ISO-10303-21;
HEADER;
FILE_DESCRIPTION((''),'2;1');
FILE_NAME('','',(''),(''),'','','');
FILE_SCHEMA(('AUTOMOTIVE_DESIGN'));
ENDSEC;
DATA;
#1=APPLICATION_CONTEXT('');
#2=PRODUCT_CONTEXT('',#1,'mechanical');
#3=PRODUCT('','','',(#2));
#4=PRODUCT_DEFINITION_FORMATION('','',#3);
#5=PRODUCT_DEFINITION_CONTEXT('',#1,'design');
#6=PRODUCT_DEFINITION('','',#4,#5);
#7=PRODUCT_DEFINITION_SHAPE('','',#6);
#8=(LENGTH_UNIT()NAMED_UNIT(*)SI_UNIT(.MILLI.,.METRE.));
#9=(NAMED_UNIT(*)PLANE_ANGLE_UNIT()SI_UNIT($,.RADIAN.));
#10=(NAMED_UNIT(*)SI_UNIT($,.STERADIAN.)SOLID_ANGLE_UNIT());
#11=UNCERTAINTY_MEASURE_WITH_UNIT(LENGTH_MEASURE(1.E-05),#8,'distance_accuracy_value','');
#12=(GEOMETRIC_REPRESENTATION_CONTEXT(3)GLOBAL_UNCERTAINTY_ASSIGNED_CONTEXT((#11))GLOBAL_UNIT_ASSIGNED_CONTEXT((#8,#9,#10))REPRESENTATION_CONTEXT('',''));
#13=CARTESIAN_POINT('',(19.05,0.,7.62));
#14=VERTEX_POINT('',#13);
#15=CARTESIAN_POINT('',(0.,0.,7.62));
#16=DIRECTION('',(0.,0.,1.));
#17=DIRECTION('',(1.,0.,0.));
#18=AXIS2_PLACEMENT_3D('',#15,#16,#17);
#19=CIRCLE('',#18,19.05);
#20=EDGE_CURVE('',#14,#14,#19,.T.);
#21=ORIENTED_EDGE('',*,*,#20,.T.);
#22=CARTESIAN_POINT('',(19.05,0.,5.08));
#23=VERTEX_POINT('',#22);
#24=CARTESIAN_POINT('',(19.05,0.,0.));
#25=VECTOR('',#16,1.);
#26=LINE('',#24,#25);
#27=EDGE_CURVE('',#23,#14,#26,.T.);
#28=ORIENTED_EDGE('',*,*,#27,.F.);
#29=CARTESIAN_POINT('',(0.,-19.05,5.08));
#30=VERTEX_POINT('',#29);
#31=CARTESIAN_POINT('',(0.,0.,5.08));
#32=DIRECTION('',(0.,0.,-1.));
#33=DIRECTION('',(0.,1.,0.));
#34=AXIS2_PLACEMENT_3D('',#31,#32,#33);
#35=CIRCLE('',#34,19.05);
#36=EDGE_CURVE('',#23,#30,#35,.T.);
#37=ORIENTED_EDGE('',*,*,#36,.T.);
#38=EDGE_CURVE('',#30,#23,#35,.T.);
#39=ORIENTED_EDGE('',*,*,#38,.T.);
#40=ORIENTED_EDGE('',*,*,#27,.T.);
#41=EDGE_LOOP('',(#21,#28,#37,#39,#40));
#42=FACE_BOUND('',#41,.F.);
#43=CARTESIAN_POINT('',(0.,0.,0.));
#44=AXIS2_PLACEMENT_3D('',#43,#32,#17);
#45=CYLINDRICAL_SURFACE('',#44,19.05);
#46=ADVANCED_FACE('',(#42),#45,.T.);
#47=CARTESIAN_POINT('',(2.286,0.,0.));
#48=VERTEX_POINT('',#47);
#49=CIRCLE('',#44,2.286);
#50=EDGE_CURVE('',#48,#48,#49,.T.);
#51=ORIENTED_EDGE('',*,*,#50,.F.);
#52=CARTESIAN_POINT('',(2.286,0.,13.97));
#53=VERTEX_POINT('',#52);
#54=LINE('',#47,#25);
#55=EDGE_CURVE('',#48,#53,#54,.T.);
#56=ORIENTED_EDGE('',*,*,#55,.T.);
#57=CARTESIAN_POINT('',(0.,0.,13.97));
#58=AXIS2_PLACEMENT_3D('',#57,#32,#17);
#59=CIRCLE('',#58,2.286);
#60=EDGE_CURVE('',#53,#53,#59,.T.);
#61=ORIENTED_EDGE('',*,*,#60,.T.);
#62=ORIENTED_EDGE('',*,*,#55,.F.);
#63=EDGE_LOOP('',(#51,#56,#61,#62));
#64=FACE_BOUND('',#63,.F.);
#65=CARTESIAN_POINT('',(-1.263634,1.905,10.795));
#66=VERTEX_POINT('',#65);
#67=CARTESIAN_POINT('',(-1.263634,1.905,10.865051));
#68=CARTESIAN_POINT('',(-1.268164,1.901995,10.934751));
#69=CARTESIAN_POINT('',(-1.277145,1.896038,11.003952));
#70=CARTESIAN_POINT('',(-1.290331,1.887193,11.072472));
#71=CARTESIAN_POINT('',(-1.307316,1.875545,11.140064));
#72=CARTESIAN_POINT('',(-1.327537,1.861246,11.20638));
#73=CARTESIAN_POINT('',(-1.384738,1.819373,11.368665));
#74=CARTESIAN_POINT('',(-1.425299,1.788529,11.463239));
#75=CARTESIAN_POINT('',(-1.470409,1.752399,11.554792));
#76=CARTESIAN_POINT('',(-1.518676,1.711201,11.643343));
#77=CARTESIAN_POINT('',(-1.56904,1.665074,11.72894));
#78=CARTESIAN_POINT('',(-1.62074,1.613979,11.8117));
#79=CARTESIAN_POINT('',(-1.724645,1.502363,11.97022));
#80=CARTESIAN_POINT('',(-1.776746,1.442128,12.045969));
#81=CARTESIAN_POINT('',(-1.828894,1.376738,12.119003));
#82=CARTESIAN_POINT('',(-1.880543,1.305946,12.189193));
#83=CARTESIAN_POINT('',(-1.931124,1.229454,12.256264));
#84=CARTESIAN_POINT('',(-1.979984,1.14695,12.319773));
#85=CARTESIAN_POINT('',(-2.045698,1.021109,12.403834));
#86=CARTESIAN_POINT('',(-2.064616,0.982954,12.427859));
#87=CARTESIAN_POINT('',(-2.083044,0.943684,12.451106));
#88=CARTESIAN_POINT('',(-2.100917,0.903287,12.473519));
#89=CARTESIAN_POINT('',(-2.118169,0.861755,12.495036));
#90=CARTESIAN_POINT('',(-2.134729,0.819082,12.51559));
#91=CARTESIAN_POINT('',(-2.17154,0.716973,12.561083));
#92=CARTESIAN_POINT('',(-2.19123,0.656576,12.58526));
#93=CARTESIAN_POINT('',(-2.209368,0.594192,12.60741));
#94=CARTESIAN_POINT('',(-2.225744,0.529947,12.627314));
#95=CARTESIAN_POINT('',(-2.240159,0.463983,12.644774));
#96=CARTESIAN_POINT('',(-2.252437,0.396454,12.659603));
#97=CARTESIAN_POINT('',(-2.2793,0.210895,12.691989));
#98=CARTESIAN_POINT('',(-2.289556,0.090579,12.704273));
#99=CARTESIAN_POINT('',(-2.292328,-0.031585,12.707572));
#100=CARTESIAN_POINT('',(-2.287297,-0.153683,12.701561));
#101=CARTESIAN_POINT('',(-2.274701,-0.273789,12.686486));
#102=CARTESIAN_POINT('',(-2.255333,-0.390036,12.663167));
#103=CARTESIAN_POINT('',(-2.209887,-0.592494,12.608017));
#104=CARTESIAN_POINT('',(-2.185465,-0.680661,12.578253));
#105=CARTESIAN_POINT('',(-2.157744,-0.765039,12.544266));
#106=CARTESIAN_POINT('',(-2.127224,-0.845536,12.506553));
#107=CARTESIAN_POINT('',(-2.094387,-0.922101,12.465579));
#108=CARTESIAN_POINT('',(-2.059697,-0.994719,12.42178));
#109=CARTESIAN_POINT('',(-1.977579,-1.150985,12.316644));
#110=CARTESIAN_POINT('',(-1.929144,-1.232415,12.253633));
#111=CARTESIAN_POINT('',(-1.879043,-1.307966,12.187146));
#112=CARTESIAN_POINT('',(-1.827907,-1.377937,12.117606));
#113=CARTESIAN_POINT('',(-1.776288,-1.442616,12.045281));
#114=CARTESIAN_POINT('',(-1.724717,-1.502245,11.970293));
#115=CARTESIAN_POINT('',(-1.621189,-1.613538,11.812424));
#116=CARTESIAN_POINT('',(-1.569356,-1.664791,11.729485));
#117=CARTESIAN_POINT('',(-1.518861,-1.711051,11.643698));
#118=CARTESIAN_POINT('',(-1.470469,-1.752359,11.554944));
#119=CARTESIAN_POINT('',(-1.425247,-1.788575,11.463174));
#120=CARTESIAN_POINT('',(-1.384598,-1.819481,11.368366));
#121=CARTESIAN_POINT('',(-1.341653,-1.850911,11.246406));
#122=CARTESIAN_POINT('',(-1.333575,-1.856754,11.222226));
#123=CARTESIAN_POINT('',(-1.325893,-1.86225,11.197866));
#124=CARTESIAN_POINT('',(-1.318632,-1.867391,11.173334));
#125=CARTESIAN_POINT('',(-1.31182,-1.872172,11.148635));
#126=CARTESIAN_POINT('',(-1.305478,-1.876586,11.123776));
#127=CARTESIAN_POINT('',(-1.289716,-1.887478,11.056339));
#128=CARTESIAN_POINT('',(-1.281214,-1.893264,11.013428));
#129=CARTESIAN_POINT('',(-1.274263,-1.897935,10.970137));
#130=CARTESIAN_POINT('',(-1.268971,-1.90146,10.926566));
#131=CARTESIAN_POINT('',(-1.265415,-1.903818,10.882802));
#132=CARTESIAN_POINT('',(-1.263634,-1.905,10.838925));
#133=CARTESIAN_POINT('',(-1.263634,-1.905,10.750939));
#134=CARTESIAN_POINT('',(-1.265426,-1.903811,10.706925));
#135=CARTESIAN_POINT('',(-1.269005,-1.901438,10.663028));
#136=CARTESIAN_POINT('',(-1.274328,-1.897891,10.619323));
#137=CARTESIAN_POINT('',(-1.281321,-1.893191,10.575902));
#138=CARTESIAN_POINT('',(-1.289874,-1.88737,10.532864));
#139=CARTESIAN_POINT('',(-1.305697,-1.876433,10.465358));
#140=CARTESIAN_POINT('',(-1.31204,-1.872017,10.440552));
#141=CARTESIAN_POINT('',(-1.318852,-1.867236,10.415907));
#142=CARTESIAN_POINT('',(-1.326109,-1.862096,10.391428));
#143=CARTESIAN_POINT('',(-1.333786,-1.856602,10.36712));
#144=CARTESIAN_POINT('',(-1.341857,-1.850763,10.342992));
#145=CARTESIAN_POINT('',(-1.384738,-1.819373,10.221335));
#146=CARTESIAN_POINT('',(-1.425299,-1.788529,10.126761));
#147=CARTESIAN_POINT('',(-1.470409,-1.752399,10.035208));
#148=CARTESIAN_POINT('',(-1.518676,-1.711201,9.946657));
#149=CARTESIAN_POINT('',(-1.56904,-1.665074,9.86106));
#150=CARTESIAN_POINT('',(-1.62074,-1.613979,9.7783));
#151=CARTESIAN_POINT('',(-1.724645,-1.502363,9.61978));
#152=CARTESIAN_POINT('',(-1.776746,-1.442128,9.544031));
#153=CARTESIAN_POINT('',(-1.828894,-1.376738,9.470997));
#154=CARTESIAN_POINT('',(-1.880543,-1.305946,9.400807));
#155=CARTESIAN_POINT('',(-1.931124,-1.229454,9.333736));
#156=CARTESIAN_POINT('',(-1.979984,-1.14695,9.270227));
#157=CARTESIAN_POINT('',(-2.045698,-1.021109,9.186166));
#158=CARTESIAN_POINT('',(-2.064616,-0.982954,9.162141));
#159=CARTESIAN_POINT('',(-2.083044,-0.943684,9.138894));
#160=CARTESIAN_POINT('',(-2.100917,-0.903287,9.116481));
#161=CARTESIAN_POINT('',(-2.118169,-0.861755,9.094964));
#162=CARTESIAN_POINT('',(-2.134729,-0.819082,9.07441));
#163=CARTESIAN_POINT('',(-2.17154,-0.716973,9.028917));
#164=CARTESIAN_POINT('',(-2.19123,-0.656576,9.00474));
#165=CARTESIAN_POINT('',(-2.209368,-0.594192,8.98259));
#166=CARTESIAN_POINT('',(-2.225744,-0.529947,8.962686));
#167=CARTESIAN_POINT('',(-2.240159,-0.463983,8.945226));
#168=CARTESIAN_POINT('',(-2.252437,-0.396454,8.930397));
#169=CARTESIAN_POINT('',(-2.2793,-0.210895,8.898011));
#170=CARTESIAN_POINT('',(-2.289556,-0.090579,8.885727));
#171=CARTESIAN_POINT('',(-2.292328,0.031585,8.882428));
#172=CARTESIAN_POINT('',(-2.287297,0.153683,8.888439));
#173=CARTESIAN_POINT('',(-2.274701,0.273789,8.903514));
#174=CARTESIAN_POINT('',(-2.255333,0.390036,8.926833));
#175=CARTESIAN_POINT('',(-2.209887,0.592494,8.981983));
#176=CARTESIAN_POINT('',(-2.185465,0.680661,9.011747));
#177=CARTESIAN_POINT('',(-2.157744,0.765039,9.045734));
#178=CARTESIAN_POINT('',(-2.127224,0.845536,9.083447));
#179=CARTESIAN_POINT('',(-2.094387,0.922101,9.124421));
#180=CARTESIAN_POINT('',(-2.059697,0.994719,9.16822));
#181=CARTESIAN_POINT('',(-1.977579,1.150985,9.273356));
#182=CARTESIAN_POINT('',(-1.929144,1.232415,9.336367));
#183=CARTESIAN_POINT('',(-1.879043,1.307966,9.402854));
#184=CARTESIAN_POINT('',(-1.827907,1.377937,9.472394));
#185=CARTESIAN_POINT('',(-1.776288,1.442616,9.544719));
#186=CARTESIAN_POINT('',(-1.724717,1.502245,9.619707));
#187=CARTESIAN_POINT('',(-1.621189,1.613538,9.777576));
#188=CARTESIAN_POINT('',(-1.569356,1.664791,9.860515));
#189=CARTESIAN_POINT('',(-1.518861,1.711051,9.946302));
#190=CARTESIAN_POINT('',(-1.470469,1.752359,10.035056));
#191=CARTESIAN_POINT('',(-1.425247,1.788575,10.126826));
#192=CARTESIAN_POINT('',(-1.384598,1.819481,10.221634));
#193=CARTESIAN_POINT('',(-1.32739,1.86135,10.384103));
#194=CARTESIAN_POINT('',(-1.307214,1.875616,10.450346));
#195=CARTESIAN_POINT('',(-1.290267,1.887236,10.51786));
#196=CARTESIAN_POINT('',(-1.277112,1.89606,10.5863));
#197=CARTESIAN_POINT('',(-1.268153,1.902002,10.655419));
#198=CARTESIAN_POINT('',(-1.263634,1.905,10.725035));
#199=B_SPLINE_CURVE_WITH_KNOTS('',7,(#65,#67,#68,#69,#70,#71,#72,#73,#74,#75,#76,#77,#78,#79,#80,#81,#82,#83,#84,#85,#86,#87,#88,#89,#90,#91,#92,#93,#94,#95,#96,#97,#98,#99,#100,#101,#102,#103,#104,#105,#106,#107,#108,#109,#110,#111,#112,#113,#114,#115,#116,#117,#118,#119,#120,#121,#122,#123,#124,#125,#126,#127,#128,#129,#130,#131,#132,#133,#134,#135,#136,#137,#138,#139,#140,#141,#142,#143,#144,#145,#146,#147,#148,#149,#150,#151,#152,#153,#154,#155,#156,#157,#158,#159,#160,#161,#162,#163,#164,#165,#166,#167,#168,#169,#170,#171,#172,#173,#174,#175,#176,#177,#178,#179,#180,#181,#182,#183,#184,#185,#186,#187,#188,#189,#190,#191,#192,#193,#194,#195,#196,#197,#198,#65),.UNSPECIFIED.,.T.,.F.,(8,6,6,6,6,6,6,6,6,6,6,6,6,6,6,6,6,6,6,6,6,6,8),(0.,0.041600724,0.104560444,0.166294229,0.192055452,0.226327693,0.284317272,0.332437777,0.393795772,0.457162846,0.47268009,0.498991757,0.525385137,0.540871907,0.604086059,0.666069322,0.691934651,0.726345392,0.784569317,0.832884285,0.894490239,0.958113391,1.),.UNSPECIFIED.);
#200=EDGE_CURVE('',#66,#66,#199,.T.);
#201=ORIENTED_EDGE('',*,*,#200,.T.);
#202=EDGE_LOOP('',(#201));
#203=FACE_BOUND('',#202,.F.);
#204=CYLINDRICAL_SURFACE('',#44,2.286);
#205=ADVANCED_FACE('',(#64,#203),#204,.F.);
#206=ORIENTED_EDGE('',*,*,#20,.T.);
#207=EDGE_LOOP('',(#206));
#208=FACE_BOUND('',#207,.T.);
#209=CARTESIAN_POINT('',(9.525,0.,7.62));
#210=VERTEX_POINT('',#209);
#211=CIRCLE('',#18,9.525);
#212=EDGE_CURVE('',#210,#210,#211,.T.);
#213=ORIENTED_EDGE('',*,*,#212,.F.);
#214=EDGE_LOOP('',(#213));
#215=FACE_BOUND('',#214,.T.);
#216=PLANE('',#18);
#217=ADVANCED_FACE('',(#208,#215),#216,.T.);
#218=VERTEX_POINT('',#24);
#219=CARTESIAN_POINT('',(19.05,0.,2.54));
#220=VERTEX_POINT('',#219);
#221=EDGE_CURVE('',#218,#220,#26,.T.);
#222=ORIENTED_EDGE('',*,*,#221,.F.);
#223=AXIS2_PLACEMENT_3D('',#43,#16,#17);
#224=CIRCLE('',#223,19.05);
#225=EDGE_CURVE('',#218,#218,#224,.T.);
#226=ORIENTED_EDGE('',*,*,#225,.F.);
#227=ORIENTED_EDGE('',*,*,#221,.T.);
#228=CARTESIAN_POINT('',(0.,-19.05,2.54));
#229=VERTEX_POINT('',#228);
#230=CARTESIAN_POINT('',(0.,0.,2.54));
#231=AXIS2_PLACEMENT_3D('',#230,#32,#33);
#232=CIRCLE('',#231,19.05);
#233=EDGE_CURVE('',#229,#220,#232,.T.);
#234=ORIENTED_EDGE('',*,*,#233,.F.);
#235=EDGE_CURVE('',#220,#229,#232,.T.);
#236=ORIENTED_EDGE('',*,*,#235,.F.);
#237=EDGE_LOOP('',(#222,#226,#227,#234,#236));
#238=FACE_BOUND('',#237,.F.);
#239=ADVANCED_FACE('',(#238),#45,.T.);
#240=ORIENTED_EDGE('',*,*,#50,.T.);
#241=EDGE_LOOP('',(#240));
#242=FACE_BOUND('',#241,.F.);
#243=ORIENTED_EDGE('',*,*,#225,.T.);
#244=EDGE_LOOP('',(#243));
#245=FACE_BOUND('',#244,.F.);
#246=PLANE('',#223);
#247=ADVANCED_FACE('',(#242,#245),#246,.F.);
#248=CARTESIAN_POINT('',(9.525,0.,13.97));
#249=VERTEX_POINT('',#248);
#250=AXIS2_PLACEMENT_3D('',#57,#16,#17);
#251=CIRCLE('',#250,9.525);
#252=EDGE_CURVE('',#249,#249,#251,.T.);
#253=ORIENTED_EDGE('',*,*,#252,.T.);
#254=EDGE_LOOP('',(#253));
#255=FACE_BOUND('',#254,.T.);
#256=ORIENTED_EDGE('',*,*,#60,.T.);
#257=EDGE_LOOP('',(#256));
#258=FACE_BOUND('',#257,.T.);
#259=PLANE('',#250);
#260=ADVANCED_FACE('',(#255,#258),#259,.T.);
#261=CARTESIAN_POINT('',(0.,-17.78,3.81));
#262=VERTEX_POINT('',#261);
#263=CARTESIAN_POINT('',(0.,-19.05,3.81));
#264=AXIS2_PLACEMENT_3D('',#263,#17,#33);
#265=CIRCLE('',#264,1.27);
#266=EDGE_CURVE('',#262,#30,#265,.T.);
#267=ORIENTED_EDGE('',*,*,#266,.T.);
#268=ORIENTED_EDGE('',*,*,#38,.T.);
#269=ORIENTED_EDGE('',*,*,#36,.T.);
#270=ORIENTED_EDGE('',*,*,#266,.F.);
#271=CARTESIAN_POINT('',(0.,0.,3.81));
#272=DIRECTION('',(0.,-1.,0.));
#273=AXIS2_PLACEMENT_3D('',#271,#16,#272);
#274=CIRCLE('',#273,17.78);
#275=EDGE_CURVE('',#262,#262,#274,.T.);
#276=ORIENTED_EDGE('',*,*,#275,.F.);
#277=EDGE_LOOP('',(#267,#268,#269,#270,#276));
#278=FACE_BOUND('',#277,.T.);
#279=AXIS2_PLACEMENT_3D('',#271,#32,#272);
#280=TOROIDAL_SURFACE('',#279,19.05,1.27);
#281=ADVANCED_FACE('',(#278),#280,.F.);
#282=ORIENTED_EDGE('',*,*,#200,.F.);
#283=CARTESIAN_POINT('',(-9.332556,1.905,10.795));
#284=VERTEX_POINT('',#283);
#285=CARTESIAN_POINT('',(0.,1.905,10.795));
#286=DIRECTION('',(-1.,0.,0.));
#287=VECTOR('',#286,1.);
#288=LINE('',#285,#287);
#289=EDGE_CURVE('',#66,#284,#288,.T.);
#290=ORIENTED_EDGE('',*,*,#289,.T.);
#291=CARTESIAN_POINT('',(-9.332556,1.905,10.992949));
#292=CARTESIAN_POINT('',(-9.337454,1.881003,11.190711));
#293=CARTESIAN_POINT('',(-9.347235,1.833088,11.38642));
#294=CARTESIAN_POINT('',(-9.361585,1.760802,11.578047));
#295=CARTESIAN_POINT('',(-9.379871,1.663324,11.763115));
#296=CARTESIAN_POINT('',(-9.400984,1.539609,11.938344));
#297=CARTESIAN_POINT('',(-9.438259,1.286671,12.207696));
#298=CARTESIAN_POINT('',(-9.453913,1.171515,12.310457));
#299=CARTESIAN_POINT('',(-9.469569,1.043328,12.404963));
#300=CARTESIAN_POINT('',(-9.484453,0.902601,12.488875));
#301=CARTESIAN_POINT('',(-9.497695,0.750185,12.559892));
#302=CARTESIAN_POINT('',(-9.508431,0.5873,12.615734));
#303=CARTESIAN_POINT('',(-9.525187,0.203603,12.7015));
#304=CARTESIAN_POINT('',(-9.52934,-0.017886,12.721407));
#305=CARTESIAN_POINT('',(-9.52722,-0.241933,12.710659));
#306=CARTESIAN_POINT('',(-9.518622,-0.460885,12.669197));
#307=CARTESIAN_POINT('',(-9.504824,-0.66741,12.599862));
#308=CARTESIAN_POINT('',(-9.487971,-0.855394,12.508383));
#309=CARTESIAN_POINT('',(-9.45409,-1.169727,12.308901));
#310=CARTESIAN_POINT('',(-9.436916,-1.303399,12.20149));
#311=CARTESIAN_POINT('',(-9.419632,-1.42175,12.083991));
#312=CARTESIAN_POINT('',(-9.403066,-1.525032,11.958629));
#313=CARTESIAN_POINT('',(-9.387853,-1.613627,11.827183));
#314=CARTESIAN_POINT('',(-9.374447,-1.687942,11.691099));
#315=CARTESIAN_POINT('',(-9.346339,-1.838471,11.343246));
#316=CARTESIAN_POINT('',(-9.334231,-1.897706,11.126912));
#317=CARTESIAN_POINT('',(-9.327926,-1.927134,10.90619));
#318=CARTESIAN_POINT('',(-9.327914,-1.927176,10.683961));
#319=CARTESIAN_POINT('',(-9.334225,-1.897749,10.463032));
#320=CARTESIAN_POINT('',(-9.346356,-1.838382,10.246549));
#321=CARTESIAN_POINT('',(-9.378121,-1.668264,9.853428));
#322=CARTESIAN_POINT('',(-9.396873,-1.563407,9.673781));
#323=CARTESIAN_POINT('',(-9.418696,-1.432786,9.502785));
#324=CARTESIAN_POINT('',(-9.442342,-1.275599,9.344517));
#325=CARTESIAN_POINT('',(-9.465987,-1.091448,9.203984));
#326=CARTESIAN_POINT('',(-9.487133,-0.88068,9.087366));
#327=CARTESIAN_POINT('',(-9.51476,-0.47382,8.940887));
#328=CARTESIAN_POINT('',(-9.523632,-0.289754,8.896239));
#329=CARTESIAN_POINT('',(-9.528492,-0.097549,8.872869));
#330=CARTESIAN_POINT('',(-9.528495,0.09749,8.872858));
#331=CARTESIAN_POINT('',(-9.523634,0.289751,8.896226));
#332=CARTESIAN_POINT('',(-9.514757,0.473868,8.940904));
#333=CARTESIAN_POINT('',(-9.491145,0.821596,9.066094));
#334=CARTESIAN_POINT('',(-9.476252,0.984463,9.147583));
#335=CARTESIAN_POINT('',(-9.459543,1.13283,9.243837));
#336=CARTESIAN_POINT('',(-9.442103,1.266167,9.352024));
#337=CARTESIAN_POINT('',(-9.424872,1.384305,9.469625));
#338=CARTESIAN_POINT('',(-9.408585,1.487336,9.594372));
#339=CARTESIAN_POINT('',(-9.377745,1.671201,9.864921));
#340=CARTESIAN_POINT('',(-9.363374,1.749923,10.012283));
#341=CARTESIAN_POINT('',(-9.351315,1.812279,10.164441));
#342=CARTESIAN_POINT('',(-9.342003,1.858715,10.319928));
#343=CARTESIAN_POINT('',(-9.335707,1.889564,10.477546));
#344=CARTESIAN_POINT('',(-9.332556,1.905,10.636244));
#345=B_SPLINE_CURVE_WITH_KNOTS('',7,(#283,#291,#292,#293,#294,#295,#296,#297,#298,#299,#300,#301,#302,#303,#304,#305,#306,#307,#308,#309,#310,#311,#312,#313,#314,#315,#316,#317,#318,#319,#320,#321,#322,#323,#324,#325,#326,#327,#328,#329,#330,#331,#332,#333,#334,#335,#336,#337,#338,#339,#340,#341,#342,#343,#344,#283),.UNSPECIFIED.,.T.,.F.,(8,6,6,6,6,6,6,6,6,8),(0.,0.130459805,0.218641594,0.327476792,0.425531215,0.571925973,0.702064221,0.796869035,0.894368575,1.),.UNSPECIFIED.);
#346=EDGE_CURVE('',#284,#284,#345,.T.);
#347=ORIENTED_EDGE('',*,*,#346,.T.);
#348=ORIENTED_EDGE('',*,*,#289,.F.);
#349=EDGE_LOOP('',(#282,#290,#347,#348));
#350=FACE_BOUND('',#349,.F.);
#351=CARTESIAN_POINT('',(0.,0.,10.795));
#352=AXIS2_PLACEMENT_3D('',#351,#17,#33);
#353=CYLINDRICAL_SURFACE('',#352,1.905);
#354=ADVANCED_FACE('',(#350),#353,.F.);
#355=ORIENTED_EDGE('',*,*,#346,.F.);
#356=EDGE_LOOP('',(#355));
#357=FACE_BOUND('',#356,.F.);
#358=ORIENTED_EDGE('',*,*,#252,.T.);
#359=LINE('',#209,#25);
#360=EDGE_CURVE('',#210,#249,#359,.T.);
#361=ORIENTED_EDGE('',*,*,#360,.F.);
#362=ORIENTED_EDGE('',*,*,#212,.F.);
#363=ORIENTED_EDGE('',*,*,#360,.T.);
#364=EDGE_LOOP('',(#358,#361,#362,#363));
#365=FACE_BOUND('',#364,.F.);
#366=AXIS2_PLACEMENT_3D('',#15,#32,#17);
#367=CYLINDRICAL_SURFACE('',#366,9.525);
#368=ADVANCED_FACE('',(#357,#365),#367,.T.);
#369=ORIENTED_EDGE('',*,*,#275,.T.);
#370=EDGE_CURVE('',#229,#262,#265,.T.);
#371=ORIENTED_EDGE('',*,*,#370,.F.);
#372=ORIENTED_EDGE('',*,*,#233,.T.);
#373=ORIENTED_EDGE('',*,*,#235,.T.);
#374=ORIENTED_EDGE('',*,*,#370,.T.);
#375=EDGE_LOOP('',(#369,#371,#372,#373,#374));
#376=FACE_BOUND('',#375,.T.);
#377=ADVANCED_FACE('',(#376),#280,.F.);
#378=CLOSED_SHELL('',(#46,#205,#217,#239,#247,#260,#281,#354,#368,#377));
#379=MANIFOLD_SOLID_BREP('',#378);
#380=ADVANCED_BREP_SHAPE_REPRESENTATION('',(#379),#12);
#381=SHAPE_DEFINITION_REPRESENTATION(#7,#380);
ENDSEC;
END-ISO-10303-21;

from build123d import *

# Parameters (mm, degrees)
F0_R     = 19.05
F1_DEPTH = 7.62
F2_R     = 9.525
F3_DEPTH = 6.35
F4_R     = 1.905
F5_DEPTH = 25.4
F6_R     = 2.286
F7_DEPTH = 101.6
F8_R     = 1.27


with BuildPart() as f1:
    # F0 (on Top) → F1 (new body)
    with BuildSketch(Plane.XY):
        Circle(F0_R)
    extrude(amount=F1_DEPTH)

    # F2 (on face) → F3 (join)
    with BuildSketch(Plane.XY.offset(7.62)):
        Circle(F2_R)
    extrude(amount=F3_DEPTH)

    # F4 (on Right) → F5 (cut)
    with BuildSketch(Plane.YZ):
        with Locations((0, 10.795)):
            Circle(F4_R)
    extrude(amount=-F5_DEPTH, mode=Mode.SUBTRACT)

    # F6 (on face) → F7 (cut)
    with BuildSketch(Plane(origin=(0, 0, 0), x_dir=(1, 0, 0), z_dir=(0, 0, -1))):
        Circle(F6_R)
    extrude(amount=-F7_DEPTH, mode=Mode.SUBTRACT)

    # F8 (on Right) → F9 (revolve, cut)
    with BuildSketch(Plane.YZ):
        with Locations((-19.05, 3.81)):
            Circle(F8_R)
    revolve(axis=Axis((0, 0, 13.97), (0, 0, 1)), mode=Mode.SUBTRACT)


solid = f1.part
